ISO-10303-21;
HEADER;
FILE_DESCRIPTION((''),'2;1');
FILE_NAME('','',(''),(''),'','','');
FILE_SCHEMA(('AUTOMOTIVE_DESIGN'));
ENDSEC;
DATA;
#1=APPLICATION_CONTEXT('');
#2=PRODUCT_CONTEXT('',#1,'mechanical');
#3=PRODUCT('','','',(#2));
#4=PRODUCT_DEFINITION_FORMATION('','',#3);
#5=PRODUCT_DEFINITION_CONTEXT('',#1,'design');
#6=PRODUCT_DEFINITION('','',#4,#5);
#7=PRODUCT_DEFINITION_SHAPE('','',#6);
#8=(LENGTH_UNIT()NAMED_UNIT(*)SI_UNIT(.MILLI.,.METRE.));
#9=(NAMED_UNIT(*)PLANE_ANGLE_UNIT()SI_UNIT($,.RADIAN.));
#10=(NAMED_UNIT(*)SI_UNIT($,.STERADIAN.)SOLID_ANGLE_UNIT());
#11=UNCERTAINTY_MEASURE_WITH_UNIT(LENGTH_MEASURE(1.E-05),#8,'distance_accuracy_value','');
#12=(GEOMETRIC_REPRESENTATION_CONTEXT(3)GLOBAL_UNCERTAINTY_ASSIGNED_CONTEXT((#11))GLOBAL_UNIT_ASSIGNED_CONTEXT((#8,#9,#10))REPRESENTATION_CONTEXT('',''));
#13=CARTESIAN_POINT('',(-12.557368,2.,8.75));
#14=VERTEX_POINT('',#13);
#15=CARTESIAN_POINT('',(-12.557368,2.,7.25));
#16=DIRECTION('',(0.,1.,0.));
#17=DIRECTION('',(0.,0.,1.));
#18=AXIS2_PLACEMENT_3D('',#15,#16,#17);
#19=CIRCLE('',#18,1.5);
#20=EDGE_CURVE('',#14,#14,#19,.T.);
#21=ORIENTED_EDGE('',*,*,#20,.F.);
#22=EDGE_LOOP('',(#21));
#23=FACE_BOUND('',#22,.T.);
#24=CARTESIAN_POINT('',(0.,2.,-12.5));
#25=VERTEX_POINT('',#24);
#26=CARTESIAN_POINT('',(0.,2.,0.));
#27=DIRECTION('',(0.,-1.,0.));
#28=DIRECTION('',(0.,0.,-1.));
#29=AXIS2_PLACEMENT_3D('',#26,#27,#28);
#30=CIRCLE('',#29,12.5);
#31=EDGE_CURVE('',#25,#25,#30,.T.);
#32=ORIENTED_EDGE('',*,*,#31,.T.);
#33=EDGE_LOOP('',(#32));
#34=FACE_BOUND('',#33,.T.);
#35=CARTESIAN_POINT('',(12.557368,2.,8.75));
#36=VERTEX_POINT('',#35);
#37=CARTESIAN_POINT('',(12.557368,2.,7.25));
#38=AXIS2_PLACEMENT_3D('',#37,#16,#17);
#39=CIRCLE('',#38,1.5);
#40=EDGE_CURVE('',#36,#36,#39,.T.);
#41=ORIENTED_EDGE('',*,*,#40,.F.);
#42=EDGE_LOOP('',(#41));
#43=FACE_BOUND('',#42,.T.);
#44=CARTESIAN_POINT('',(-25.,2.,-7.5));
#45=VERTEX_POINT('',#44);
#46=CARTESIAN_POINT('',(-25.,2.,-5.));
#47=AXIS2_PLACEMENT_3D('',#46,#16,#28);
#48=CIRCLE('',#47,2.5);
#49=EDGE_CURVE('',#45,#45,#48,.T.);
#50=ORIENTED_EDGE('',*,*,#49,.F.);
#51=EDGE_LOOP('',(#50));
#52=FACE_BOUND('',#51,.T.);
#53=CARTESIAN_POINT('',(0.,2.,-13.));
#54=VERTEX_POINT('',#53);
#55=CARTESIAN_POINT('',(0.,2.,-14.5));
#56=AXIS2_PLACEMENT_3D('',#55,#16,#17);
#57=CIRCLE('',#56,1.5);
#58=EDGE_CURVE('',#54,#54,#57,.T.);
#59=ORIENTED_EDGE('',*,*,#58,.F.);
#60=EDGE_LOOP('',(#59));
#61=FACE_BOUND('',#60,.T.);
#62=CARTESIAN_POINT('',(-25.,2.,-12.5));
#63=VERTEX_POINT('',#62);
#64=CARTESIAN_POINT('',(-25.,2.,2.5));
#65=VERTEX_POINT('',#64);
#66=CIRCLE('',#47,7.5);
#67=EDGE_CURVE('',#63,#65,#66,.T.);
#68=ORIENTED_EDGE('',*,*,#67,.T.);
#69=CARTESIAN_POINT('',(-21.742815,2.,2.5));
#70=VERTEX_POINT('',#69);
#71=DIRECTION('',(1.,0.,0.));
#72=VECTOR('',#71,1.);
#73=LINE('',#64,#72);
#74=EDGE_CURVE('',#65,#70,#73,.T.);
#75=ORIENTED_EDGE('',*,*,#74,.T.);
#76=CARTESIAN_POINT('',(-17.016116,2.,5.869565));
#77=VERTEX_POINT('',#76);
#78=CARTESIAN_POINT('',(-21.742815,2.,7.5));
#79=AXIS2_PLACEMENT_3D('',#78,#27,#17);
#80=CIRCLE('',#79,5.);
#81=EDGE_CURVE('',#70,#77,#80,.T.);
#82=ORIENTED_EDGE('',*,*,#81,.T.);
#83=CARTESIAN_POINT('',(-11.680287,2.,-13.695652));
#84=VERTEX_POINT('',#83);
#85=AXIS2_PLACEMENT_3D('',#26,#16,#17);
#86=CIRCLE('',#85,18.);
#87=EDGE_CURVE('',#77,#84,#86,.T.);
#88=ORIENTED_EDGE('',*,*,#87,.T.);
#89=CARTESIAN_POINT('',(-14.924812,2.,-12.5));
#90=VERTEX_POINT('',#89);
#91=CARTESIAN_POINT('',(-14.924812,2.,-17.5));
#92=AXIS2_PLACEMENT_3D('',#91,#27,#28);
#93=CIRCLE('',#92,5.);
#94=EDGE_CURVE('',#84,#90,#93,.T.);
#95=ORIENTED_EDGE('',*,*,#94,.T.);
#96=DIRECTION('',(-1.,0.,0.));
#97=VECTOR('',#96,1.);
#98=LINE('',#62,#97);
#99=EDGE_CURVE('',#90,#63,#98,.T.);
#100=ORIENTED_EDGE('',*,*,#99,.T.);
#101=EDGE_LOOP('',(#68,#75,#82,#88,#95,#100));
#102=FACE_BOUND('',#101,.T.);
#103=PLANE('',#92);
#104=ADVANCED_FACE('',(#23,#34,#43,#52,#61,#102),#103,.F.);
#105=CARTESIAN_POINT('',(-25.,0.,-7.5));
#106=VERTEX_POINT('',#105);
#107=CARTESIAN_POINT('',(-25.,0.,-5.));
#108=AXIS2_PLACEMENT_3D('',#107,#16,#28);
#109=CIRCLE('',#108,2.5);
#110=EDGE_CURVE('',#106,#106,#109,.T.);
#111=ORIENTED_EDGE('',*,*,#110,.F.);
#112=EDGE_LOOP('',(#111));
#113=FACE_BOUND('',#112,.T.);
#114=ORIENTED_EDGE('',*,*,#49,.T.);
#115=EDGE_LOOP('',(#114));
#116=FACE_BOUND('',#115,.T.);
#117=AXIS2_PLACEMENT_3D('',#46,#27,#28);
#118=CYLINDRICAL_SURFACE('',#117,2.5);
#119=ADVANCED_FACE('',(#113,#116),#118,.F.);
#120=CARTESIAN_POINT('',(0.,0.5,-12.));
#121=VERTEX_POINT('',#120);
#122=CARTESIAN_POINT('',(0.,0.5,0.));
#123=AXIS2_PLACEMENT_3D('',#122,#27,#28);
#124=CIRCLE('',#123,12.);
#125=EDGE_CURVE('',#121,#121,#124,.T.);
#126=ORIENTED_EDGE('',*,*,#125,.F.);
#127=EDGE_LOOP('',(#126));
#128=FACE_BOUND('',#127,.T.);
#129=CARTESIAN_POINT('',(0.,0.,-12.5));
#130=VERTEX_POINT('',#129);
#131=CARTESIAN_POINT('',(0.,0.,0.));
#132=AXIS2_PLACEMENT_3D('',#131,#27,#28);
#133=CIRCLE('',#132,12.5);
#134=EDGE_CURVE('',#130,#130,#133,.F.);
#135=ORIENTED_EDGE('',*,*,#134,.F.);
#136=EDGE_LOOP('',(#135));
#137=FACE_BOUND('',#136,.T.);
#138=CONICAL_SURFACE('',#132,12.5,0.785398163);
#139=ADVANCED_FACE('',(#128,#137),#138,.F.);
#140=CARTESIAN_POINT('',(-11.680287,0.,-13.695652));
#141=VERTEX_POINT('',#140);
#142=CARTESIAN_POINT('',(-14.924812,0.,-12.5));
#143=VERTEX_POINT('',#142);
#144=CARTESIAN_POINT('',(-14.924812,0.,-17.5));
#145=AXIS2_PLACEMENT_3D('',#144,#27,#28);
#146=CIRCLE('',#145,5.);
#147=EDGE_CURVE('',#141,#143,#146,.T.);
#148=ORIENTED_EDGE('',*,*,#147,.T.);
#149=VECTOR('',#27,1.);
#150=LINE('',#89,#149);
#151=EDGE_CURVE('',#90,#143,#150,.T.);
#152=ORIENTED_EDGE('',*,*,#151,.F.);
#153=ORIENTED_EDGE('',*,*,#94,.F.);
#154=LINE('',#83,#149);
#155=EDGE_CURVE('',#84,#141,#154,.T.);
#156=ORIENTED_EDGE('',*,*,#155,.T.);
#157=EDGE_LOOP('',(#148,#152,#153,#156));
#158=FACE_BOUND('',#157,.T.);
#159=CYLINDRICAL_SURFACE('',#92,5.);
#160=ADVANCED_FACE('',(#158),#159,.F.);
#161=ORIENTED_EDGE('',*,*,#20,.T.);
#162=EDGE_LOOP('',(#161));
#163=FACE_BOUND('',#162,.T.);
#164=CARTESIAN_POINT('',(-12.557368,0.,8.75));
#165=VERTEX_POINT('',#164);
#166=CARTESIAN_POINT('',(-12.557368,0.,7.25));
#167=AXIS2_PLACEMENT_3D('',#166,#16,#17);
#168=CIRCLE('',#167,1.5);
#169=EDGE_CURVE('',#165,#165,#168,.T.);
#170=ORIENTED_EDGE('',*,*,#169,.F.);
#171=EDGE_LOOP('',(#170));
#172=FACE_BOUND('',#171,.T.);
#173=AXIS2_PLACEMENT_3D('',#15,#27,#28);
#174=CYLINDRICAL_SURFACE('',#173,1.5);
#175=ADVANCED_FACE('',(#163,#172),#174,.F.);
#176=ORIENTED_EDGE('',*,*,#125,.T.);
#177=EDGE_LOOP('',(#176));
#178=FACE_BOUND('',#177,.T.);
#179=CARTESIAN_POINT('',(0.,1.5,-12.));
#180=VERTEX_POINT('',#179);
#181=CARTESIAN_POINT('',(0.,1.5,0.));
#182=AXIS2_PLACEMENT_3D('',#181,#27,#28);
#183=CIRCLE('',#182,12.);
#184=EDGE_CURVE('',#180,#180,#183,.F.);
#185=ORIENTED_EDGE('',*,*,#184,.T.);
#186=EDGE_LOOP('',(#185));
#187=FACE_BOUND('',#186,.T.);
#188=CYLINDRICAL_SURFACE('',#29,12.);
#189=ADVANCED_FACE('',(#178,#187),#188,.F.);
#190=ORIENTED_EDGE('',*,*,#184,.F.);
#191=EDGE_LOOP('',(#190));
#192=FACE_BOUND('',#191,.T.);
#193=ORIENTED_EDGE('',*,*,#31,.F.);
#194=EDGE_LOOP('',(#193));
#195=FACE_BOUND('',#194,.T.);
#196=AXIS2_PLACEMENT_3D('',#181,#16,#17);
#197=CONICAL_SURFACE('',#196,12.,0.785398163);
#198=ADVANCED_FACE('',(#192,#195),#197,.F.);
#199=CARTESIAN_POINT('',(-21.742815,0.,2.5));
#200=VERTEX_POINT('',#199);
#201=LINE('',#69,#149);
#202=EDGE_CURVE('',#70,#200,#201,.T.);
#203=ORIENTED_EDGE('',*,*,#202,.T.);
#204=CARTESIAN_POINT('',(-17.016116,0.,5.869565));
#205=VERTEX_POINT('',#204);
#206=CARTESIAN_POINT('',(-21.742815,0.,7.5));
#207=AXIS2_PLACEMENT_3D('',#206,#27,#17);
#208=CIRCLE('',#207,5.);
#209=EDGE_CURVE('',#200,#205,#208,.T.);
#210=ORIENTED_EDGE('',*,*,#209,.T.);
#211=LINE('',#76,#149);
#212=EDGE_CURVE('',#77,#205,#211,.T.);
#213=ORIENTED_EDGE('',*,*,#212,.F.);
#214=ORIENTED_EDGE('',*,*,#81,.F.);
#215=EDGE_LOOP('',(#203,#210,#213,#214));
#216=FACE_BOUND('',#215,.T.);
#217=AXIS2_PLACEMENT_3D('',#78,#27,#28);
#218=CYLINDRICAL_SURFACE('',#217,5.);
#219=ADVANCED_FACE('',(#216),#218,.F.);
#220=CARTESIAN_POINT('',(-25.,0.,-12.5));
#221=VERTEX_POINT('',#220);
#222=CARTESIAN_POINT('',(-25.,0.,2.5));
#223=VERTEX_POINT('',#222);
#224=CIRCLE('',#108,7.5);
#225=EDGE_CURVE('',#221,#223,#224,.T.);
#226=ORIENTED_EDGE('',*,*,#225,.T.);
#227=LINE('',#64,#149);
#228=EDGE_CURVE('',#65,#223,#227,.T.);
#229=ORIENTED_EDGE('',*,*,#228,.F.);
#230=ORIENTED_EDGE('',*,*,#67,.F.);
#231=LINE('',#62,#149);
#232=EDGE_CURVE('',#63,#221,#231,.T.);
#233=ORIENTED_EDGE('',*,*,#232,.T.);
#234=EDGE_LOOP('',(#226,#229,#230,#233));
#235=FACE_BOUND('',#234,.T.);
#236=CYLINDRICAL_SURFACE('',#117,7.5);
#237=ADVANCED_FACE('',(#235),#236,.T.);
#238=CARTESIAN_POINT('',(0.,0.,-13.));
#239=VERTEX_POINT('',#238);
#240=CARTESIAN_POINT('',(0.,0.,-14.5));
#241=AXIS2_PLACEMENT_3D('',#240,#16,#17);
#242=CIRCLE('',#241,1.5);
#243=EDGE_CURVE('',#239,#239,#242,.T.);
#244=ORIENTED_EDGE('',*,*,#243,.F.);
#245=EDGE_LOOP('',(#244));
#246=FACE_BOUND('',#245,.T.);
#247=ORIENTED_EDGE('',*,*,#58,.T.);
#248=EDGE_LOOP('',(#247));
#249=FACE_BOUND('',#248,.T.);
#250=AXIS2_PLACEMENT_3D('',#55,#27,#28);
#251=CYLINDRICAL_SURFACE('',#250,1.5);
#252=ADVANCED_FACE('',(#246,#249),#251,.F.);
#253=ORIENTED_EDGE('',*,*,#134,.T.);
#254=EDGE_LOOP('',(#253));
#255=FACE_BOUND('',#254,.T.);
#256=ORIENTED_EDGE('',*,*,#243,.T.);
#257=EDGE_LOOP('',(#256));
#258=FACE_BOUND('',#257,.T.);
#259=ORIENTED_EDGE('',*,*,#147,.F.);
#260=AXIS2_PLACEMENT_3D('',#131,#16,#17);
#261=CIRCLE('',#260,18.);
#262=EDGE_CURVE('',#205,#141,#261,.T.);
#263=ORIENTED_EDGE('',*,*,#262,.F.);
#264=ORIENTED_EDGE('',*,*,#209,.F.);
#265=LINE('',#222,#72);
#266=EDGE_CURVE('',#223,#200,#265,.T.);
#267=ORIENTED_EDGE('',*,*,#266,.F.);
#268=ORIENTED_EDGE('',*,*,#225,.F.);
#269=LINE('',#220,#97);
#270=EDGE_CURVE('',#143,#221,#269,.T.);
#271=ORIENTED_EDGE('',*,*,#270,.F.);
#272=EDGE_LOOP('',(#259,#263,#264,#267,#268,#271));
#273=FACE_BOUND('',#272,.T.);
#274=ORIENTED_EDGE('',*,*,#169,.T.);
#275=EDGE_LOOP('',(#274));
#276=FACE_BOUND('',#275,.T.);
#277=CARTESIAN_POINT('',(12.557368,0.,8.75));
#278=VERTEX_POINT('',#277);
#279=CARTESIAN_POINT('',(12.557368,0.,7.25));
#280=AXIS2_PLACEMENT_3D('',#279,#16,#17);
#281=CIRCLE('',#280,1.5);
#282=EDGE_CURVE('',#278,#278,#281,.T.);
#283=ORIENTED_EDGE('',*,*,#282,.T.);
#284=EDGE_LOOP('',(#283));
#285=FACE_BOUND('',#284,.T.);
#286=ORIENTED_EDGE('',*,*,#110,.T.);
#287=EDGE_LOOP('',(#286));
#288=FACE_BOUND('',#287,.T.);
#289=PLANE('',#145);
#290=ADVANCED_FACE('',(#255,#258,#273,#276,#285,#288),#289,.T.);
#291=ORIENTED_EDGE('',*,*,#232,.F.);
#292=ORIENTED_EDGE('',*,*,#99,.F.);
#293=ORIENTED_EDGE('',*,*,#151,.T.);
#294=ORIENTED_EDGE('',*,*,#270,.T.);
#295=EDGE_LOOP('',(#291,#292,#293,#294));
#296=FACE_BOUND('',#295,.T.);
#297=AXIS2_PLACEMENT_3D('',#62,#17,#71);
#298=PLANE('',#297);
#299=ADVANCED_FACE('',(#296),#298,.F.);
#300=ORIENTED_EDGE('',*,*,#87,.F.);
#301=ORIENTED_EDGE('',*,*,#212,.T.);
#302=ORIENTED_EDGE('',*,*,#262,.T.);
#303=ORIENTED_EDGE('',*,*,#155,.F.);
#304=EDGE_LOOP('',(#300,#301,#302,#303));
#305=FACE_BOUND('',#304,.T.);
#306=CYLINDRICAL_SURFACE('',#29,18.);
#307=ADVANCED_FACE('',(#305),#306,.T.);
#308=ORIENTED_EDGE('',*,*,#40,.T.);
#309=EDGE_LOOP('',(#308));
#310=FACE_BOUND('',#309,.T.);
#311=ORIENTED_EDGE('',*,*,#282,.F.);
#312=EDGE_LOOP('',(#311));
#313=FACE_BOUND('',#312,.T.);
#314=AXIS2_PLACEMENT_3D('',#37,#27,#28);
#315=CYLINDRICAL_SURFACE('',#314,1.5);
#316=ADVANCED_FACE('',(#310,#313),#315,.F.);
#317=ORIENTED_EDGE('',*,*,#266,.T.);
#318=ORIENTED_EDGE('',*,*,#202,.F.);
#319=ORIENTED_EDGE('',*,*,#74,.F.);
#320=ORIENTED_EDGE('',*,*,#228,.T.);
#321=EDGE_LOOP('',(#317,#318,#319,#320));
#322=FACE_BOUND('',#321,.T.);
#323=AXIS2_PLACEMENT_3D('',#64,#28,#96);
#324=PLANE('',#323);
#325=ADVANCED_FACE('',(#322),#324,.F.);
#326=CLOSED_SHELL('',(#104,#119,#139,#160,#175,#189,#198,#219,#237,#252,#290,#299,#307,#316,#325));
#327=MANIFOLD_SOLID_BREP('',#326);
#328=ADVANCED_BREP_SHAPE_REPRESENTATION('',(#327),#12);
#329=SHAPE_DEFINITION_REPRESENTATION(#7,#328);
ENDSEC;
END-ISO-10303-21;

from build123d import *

# Parameters (mm, degrees)
ESQUISSE1_R      = 12
ESQUISSE1_R_2    = 1.5
ESQUISSE1_R_3    = 2.5
EXTRUSION1_DEPTH = 2
CHANFREIN1_SIZE  = 0.5


with BuildPart() as part:
    # Esquisse1 → Extrusion1 (new body)
    with BuildSketch(Plane(origin=(0, 0, 0), x_dir=(1, 0, 0), z_dir=(0, 1, 0))):
        with BuildLine():
            Line((-25, -2.5), (-21.742814905, -2.5))
            ThreePointArc((-21.742814905, -2.5), (-18.840417096, -3.428625913), (-17.016116013, -5.869565217))
            ThreePointArc((-17.016116013, -5.869565217), (17.365780251, -4.735997916), (-11.680287305, 13.695652174))
            ThreePointArc((-11.680287305, 13.695652174), (-13.19590137, 12.808425684), (-14.924811557, 12.5))
            Line((-14.924811557, 12.5), (-25, 12.5))
            ThreePointArc((-25, 12.5), (-32.5, 5), (-25, -2.5))
        make_face()
        Circle(ESQUISSE1_R, mode=Mode.SUBTRACT)
        with Locations((-12.557368355, -7.25)):
            Circle(ESQUISSE1_R_2, mode=Mode.SUBTRACT)
        with Locations((12.557368355, -7.25)):
            Circle(ESQUISSE1_R_2, mode=Mode.SUBTRACT)
        with Locations((0, 14.5)):
            Circle(ESQUISSE1_R_2, mode=Mode.SUBTRACT)
        with Locations((-25, 5)):
            Circle(ESQUISSE1_R_3, mode=Mode.SUBTRACT)
    extrude(amount=EXTRUSION1_DEPTH)

    # Chanfrein1
    chanfrein1_edges = [part.edges().sort_by_distance(p)[0] for p in [
        (-12, 0, 0),
        (-12, 2, 0),
    ]]
    chamfer(chanfrein1_edges, length=CHANFREIN1_SIZE)


solid = part.part
